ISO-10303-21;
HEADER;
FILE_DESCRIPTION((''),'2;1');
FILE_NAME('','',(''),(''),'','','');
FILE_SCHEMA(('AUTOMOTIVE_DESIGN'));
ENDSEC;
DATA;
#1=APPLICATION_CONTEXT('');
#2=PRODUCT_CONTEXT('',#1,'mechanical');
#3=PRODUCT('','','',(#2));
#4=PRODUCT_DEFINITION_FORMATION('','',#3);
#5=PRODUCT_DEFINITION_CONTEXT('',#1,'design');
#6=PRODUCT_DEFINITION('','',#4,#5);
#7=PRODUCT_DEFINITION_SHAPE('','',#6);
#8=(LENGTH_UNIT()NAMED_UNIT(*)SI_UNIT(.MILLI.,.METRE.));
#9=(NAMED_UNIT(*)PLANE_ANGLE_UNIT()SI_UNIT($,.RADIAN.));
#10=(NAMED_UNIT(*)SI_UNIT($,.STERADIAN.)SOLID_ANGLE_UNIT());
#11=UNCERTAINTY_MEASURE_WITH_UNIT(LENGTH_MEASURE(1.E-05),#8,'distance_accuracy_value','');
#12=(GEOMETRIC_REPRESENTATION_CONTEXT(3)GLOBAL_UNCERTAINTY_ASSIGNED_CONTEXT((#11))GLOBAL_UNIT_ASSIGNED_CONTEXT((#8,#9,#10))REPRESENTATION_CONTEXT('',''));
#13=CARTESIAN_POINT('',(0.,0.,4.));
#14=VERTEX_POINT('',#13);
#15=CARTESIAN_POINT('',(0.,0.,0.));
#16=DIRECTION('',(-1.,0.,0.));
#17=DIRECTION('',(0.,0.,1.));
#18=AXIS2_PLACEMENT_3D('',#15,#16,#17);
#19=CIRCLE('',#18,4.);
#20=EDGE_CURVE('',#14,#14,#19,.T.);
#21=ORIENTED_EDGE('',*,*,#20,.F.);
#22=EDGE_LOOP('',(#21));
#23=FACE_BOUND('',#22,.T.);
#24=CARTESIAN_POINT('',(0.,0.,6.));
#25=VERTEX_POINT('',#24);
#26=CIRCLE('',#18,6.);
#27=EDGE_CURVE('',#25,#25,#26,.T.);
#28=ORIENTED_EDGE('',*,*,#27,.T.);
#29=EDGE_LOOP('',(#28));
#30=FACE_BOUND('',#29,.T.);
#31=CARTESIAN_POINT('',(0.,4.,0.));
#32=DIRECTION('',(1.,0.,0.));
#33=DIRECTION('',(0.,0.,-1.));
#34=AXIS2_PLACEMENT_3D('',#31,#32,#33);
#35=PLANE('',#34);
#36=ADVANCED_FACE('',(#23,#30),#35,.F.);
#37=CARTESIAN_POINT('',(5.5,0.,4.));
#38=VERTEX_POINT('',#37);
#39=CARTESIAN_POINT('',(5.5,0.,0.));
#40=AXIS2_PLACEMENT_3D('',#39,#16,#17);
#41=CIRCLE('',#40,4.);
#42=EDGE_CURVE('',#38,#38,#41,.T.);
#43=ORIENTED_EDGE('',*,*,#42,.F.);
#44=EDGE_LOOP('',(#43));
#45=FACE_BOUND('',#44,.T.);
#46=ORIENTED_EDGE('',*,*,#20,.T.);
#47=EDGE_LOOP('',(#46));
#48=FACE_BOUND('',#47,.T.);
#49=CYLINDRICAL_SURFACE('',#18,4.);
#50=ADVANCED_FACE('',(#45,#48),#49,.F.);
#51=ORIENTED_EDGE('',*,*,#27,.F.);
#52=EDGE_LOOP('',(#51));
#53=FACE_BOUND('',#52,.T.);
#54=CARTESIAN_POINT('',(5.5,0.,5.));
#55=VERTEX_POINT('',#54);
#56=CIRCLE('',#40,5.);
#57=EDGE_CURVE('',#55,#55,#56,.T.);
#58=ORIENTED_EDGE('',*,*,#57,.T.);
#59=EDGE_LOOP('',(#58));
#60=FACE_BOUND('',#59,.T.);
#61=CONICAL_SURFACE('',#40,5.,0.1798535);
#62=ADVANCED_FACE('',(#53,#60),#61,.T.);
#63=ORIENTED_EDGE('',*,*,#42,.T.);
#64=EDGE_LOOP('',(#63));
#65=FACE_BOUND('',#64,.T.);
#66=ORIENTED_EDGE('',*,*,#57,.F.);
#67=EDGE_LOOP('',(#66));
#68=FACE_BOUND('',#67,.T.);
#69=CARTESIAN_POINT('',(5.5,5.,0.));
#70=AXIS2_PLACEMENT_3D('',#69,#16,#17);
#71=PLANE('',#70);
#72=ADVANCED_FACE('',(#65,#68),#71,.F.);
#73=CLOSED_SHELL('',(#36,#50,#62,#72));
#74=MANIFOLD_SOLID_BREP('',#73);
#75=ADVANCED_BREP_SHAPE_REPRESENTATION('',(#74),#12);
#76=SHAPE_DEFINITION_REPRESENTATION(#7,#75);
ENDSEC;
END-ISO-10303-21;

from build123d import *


with BuildPart() as part:
    # Szkic1 → Obrót1 (revolve)
    with BuildSketch(Plane.XY):
        Polygon((0, 4), (0, 6), (5.5, 5), (5.5, 4), align=None)
    revolve(axis=Axis((0, 0, 0), (1, 0, 0)))


solid = part.part
